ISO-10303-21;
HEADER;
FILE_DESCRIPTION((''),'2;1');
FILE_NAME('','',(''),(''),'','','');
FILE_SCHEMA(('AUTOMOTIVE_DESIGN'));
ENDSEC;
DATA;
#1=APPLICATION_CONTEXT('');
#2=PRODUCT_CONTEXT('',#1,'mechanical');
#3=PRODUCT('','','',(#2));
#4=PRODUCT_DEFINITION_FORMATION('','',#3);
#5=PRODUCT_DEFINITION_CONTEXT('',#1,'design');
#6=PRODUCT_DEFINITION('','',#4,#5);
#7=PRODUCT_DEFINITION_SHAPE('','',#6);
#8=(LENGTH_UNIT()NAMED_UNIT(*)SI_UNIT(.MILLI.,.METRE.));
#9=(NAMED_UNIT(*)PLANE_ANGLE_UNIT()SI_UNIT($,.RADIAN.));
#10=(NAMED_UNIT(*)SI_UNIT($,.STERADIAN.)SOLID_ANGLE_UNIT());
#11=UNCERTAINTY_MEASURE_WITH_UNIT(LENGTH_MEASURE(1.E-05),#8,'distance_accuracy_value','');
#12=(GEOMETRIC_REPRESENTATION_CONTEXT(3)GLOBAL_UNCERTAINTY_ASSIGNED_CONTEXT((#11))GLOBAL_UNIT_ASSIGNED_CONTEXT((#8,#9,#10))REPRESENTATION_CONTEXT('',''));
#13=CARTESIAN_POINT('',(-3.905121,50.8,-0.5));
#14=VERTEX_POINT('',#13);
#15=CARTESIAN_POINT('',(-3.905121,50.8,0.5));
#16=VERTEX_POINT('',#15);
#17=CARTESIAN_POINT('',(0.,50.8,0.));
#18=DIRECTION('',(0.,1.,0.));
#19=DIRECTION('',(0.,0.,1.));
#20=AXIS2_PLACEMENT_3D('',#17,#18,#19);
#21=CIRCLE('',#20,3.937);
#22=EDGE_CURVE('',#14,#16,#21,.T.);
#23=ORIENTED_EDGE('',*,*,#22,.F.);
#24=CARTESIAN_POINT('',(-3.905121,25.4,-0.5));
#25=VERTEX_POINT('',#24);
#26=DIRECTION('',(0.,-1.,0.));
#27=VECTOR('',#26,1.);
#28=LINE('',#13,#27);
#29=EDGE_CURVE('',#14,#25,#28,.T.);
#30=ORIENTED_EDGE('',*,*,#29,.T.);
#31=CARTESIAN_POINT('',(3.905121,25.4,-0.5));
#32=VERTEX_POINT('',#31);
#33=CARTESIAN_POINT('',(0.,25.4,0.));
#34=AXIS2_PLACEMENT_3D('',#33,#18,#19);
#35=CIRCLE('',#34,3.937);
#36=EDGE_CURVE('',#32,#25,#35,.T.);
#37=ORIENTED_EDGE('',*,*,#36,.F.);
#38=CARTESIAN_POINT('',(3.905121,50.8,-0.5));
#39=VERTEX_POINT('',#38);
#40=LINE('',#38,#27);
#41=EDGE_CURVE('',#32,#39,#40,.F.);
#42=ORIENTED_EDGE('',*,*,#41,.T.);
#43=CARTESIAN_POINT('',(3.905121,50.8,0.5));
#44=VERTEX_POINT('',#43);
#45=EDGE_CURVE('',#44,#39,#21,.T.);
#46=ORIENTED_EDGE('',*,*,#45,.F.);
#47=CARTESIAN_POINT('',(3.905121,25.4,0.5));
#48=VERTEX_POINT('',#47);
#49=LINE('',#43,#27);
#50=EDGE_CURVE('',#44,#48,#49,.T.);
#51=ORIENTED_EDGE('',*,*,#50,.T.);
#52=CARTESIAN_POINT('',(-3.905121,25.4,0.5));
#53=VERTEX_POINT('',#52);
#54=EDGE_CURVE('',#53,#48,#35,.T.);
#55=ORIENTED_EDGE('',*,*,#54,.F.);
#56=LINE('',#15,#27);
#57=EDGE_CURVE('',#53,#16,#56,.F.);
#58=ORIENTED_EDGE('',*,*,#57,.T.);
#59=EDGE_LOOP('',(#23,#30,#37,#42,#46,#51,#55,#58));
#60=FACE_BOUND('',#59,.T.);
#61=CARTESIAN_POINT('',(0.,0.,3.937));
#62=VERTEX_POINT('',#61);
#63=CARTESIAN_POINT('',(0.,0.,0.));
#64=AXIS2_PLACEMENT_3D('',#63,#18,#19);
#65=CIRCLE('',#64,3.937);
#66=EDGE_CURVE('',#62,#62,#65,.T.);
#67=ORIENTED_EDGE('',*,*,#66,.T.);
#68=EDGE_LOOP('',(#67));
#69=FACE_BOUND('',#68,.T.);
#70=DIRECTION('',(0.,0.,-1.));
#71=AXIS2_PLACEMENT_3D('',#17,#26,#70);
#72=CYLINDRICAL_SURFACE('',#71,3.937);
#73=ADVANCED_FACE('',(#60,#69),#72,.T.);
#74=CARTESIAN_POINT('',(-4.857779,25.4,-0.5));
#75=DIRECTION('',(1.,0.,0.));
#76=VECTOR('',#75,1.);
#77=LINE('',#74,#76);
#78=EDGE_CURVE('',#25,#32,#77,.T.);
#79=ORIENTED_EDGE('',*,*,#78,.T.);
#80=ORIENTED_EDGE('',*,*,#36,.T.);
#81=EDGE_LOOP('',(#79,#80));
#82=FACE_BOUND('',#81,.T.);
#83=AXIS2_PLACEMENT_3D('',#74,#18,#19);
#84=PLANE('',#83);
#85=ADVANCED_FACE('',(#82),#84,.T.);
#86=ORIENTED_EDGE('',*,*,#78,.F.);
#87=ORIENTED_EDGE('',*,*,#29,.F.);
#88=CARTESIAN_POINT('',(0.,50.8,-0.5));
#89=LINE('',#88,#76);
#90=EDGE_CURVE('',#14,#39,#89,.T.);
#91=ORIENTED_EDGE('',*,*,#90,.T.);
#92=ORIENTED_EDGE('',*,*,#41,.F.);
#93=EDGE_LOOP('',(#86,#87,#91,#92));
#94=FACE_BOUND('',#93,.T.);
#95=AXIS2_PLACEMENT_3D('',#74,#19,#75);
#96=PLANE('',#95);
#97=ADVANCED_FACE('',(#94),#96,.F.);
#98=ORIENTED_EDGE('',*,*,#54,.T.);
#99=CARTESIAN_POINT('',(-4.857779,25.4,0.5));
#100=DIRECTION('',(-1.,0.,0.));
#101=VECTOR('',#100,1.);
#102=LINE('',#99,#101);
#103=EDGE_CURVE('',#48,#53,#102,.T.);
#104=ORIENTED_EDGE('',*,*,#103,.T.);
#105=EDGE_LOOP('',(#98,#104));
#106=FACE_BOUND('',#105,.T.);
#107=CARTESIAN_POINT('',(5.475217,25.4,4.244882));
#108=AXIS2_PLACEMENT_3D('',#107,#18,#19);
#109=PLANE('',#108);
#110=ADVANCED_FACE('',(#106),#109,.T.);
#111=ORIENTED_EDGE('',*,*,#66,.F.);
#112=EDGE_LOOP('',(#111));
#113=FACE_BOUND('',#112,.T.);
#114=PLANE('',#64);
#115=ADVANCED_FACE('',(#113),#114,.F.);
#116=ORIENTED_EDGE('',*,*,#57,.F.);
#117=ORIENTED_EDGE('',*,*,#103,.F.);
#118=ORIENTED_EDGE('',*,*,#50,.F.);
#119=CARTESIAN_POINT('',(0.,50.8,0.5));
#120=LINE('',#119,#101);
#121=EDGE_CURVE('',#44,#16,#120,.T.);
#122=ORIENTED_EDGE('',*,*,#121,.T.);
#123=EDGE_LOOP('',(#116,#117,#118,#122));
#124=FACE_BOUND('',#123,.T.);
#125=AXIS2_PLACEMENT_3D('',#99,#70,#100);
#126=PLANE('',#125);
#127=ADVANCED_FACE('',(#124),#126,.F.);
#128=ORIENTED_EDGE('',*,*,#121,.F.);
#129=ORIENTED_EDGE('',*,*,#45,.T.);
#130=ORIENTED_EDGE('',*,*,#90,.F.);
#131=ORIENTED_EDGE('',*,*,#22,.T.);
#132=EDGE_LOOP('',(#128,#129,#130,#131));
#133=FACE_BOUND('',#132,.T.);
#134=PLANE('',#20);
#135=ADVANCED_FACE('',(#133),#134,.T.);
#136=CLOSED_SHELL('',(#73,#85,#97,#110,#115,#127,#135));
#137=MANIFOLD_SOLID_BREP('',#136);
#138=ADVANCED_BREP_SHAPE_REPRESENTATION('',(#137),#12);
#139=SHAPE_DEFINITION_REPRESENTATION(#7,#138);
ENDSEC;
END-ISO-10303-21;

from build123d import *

# Parameters (mm, degrees)
SKETCH1_R           = 3.937
BOSS_EXTRUDE1_DEPTH = 50.8
SKETCH2_W           = 10.332995963
SKETCH2_H           = 3.744881909
CUT_EXTRUDE1_DEPTH  = 25.4


with BuildPart() as part:
    # Sketch1 → Boss-Extrude1 (new body)
    with BuildSketch(Plane(origin=(0, 0, 0), x_dir=(1, 0, 0), z_dir=(0, 1, 0))):
        with Locations(Location((0, 0, 0), (0, 0, 270))):
            Circle(SKETCH1_R)
    extrude(amount=BOSS_EXTRUDE1_DEPTH)

    # Sketch2 → Cut-Extrude1 (cut)
    with BuildSketch(Plane(origin=(0, 50.8, 0), x_dir=(1, 0, 0), z_dir=(0, 1, 0))):
        with Locations((0.308718685, -2.372440955)):
            Rectangle(SKETCH2_W, SKETCH2_H)
        with Locations((0.308718685, 2.372440955)):
            Rectangle(SKETCH2_W, SKETCH2_H)
    extrude(amount=-CUT_EXTRUDE1_DEPTH, mode=Mode.SUBTRACT)


solid = part.part
